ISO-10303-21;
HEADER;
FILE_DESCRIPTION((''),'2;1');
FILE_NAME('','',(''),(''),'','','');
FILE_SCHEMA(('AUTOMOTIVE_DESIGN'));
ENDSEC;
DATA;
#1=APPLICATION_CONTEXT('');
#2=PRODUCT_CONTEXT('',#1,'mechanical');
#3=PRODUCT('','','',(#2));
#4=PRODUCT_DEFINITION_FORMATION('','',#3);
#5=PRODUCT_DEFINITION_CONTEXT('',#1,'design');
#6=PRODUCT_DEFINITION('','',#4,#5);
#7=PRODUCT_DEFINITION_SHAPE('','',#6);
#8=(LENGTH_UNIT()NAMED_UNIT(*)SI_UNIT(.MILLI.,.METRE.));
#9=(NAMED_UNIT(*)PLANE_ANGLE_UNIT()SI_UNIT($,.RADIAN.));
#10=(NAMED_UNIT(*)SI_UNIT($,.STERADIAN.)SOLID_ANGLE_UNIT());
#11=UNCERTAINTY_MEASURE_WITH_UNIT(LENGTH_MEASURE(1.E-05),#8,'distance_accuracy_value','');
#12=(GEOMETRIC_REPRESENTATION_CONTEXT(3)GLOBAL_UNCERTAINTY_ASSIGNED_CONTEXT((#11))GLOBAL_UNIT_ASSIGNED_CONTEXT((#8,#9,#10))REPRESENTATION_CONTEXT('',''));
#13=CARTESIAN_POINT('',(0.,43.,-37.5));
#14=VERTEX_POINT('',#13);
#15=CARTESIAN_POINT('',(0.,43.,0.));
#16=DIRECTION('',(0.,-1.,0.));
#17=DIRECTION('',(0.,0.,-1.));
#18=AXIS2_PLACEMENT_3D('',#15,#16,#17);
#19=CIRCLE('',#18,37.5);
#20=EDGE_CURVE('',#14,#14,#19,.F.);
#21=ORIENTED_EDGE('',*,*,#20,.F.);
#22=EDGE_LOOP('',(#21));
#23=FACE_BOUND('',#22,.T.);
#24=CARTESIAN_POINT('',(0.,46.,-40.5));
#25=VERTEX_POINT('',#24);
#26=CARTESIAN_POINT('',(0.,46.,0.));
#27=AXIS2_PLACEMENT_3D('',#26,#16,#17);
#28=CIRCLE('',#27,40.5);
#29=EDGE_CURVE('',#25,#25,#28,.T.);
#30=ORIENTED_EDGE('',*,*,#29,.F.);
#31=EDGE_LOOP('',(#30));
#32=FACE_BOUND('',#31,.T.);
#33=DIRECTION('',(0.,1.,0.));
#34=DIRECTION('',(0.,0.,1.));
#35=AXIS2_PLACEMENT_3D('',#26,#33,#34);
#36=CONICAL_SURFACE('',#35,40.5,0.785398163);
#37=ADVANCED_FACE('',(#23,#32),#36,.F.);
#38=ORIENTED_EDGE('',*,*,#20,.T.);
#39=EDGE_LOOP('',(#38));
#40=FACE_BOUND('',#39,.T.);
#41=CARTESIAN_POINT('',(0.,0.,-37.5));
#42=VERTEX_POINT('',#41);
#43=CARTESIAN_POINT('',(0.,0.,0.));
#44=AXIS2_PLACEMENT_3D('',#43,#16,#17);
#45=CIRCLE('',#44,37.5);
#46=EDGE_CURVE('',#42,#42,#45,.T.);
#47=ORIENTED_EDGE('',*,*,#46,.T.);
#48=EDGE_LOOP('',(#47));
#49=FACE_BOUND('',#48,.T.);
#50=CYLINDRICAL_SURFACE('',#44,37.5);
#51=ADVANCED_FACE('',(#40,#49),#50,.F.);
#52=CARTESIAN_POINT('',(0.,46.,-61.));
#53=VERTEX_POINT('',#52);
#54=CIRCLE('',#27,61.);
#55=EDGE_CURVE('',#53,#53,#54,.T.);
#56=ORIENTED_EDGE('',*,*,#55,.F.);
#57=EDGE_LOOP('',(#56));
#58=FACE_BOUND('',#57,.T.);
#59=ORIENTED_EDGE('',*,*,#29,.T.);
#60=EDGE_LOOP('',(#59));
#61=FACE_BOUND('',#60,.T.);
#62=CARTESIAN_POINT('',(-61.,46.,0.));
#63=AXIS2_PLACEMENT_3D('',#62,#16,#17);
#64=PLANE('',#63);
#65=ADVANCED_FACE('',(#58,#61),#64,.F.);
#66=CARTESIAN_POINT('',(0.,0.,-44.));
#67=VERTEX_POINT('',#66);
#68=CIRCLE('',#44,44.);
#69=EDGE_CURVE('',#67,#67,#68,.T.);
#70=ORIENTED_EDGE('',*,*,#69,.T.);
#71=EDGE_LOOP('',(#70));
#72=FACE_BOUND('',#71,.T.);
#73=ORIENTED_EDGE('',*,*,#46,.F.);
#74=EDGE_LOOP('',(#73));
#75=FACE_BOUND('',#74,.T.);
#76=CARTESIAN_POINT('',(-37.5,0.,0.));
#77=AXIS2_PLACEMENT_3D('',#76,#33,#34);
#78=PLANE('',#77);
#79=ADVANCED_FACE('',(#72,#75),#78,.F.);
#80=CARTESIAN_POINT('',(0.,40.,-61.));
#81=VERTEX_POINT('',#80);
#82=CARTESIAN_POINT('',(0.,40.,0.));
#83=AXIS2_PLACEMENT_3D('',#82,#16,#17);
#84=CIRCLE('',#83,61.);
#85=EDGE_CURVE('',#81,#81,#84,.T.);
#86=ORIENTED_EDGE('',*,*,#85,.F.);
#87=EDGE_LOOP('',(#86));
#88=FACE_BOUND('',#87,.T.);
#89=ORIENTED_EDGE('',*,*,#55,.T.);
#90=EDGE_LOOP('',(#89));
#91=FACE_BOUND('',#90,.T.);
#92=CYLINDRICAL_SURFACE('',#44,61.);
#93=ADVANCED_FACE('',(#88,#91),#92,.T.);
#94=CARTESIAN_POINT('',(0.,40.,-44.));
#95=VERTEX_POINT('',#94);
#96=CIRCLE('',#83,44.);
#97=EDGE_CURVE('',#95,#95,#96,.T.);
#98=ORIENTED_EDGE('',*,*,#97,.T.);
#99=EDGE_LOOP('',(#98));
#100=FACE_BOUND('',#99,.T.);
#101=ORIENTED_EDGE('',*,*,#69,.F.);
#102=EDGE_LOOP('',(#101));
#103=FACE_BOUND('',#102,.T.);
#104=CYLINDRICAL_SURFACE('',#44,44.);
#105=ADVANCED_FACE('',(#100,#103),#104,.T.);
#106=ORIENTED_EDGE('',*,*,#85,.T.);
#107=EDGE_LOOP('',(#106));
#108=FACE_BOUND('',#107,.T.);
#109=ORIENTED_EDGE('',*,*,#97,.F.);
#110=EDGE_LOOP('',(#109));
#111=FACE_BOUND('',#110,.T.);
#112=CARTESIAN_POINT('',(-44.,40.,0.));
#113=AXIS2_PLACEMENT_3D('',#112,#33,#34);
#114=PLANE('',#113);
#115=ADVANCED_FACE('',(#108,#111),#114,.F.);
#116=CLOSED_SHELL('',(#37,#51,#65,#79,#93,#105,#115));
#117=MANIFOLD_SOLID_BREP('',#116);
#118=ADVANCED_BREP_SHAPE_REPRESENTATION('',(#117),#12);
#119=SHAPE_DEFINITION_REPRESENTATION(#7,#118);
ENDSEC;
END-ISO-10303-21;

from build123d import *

# Parameters (mm, degrees)
CHAMFER1_SIZE = 3


with BuildPart() as part:
    # Sketch1 → Revolve1 (revolve)
    with BuildSketch(Plane.XY, mode=Mode.PRIVATE) as revolve1_sk:
        Polygon((-44, 0), (-44, 40), (-61, 40), (-61, 46), (-37.5, 46), (-37.5, 0), align=None)
    revolve(revolve1_sk.sketch.rotate(Axis((0, 0, 0), (0, 1, 0)), 270), axis=Axis((0, 0, 0), (0, 1, 0)))

    # Chamfer1
    chamfer1_edges = [part.edges().sort_by_distance(p)[0] for p in [
        (0, 46, 37.5),
    ]]
    chamfer(chamfer1_edges, length=CHAMFER1_SIZE)


solid = part.part
